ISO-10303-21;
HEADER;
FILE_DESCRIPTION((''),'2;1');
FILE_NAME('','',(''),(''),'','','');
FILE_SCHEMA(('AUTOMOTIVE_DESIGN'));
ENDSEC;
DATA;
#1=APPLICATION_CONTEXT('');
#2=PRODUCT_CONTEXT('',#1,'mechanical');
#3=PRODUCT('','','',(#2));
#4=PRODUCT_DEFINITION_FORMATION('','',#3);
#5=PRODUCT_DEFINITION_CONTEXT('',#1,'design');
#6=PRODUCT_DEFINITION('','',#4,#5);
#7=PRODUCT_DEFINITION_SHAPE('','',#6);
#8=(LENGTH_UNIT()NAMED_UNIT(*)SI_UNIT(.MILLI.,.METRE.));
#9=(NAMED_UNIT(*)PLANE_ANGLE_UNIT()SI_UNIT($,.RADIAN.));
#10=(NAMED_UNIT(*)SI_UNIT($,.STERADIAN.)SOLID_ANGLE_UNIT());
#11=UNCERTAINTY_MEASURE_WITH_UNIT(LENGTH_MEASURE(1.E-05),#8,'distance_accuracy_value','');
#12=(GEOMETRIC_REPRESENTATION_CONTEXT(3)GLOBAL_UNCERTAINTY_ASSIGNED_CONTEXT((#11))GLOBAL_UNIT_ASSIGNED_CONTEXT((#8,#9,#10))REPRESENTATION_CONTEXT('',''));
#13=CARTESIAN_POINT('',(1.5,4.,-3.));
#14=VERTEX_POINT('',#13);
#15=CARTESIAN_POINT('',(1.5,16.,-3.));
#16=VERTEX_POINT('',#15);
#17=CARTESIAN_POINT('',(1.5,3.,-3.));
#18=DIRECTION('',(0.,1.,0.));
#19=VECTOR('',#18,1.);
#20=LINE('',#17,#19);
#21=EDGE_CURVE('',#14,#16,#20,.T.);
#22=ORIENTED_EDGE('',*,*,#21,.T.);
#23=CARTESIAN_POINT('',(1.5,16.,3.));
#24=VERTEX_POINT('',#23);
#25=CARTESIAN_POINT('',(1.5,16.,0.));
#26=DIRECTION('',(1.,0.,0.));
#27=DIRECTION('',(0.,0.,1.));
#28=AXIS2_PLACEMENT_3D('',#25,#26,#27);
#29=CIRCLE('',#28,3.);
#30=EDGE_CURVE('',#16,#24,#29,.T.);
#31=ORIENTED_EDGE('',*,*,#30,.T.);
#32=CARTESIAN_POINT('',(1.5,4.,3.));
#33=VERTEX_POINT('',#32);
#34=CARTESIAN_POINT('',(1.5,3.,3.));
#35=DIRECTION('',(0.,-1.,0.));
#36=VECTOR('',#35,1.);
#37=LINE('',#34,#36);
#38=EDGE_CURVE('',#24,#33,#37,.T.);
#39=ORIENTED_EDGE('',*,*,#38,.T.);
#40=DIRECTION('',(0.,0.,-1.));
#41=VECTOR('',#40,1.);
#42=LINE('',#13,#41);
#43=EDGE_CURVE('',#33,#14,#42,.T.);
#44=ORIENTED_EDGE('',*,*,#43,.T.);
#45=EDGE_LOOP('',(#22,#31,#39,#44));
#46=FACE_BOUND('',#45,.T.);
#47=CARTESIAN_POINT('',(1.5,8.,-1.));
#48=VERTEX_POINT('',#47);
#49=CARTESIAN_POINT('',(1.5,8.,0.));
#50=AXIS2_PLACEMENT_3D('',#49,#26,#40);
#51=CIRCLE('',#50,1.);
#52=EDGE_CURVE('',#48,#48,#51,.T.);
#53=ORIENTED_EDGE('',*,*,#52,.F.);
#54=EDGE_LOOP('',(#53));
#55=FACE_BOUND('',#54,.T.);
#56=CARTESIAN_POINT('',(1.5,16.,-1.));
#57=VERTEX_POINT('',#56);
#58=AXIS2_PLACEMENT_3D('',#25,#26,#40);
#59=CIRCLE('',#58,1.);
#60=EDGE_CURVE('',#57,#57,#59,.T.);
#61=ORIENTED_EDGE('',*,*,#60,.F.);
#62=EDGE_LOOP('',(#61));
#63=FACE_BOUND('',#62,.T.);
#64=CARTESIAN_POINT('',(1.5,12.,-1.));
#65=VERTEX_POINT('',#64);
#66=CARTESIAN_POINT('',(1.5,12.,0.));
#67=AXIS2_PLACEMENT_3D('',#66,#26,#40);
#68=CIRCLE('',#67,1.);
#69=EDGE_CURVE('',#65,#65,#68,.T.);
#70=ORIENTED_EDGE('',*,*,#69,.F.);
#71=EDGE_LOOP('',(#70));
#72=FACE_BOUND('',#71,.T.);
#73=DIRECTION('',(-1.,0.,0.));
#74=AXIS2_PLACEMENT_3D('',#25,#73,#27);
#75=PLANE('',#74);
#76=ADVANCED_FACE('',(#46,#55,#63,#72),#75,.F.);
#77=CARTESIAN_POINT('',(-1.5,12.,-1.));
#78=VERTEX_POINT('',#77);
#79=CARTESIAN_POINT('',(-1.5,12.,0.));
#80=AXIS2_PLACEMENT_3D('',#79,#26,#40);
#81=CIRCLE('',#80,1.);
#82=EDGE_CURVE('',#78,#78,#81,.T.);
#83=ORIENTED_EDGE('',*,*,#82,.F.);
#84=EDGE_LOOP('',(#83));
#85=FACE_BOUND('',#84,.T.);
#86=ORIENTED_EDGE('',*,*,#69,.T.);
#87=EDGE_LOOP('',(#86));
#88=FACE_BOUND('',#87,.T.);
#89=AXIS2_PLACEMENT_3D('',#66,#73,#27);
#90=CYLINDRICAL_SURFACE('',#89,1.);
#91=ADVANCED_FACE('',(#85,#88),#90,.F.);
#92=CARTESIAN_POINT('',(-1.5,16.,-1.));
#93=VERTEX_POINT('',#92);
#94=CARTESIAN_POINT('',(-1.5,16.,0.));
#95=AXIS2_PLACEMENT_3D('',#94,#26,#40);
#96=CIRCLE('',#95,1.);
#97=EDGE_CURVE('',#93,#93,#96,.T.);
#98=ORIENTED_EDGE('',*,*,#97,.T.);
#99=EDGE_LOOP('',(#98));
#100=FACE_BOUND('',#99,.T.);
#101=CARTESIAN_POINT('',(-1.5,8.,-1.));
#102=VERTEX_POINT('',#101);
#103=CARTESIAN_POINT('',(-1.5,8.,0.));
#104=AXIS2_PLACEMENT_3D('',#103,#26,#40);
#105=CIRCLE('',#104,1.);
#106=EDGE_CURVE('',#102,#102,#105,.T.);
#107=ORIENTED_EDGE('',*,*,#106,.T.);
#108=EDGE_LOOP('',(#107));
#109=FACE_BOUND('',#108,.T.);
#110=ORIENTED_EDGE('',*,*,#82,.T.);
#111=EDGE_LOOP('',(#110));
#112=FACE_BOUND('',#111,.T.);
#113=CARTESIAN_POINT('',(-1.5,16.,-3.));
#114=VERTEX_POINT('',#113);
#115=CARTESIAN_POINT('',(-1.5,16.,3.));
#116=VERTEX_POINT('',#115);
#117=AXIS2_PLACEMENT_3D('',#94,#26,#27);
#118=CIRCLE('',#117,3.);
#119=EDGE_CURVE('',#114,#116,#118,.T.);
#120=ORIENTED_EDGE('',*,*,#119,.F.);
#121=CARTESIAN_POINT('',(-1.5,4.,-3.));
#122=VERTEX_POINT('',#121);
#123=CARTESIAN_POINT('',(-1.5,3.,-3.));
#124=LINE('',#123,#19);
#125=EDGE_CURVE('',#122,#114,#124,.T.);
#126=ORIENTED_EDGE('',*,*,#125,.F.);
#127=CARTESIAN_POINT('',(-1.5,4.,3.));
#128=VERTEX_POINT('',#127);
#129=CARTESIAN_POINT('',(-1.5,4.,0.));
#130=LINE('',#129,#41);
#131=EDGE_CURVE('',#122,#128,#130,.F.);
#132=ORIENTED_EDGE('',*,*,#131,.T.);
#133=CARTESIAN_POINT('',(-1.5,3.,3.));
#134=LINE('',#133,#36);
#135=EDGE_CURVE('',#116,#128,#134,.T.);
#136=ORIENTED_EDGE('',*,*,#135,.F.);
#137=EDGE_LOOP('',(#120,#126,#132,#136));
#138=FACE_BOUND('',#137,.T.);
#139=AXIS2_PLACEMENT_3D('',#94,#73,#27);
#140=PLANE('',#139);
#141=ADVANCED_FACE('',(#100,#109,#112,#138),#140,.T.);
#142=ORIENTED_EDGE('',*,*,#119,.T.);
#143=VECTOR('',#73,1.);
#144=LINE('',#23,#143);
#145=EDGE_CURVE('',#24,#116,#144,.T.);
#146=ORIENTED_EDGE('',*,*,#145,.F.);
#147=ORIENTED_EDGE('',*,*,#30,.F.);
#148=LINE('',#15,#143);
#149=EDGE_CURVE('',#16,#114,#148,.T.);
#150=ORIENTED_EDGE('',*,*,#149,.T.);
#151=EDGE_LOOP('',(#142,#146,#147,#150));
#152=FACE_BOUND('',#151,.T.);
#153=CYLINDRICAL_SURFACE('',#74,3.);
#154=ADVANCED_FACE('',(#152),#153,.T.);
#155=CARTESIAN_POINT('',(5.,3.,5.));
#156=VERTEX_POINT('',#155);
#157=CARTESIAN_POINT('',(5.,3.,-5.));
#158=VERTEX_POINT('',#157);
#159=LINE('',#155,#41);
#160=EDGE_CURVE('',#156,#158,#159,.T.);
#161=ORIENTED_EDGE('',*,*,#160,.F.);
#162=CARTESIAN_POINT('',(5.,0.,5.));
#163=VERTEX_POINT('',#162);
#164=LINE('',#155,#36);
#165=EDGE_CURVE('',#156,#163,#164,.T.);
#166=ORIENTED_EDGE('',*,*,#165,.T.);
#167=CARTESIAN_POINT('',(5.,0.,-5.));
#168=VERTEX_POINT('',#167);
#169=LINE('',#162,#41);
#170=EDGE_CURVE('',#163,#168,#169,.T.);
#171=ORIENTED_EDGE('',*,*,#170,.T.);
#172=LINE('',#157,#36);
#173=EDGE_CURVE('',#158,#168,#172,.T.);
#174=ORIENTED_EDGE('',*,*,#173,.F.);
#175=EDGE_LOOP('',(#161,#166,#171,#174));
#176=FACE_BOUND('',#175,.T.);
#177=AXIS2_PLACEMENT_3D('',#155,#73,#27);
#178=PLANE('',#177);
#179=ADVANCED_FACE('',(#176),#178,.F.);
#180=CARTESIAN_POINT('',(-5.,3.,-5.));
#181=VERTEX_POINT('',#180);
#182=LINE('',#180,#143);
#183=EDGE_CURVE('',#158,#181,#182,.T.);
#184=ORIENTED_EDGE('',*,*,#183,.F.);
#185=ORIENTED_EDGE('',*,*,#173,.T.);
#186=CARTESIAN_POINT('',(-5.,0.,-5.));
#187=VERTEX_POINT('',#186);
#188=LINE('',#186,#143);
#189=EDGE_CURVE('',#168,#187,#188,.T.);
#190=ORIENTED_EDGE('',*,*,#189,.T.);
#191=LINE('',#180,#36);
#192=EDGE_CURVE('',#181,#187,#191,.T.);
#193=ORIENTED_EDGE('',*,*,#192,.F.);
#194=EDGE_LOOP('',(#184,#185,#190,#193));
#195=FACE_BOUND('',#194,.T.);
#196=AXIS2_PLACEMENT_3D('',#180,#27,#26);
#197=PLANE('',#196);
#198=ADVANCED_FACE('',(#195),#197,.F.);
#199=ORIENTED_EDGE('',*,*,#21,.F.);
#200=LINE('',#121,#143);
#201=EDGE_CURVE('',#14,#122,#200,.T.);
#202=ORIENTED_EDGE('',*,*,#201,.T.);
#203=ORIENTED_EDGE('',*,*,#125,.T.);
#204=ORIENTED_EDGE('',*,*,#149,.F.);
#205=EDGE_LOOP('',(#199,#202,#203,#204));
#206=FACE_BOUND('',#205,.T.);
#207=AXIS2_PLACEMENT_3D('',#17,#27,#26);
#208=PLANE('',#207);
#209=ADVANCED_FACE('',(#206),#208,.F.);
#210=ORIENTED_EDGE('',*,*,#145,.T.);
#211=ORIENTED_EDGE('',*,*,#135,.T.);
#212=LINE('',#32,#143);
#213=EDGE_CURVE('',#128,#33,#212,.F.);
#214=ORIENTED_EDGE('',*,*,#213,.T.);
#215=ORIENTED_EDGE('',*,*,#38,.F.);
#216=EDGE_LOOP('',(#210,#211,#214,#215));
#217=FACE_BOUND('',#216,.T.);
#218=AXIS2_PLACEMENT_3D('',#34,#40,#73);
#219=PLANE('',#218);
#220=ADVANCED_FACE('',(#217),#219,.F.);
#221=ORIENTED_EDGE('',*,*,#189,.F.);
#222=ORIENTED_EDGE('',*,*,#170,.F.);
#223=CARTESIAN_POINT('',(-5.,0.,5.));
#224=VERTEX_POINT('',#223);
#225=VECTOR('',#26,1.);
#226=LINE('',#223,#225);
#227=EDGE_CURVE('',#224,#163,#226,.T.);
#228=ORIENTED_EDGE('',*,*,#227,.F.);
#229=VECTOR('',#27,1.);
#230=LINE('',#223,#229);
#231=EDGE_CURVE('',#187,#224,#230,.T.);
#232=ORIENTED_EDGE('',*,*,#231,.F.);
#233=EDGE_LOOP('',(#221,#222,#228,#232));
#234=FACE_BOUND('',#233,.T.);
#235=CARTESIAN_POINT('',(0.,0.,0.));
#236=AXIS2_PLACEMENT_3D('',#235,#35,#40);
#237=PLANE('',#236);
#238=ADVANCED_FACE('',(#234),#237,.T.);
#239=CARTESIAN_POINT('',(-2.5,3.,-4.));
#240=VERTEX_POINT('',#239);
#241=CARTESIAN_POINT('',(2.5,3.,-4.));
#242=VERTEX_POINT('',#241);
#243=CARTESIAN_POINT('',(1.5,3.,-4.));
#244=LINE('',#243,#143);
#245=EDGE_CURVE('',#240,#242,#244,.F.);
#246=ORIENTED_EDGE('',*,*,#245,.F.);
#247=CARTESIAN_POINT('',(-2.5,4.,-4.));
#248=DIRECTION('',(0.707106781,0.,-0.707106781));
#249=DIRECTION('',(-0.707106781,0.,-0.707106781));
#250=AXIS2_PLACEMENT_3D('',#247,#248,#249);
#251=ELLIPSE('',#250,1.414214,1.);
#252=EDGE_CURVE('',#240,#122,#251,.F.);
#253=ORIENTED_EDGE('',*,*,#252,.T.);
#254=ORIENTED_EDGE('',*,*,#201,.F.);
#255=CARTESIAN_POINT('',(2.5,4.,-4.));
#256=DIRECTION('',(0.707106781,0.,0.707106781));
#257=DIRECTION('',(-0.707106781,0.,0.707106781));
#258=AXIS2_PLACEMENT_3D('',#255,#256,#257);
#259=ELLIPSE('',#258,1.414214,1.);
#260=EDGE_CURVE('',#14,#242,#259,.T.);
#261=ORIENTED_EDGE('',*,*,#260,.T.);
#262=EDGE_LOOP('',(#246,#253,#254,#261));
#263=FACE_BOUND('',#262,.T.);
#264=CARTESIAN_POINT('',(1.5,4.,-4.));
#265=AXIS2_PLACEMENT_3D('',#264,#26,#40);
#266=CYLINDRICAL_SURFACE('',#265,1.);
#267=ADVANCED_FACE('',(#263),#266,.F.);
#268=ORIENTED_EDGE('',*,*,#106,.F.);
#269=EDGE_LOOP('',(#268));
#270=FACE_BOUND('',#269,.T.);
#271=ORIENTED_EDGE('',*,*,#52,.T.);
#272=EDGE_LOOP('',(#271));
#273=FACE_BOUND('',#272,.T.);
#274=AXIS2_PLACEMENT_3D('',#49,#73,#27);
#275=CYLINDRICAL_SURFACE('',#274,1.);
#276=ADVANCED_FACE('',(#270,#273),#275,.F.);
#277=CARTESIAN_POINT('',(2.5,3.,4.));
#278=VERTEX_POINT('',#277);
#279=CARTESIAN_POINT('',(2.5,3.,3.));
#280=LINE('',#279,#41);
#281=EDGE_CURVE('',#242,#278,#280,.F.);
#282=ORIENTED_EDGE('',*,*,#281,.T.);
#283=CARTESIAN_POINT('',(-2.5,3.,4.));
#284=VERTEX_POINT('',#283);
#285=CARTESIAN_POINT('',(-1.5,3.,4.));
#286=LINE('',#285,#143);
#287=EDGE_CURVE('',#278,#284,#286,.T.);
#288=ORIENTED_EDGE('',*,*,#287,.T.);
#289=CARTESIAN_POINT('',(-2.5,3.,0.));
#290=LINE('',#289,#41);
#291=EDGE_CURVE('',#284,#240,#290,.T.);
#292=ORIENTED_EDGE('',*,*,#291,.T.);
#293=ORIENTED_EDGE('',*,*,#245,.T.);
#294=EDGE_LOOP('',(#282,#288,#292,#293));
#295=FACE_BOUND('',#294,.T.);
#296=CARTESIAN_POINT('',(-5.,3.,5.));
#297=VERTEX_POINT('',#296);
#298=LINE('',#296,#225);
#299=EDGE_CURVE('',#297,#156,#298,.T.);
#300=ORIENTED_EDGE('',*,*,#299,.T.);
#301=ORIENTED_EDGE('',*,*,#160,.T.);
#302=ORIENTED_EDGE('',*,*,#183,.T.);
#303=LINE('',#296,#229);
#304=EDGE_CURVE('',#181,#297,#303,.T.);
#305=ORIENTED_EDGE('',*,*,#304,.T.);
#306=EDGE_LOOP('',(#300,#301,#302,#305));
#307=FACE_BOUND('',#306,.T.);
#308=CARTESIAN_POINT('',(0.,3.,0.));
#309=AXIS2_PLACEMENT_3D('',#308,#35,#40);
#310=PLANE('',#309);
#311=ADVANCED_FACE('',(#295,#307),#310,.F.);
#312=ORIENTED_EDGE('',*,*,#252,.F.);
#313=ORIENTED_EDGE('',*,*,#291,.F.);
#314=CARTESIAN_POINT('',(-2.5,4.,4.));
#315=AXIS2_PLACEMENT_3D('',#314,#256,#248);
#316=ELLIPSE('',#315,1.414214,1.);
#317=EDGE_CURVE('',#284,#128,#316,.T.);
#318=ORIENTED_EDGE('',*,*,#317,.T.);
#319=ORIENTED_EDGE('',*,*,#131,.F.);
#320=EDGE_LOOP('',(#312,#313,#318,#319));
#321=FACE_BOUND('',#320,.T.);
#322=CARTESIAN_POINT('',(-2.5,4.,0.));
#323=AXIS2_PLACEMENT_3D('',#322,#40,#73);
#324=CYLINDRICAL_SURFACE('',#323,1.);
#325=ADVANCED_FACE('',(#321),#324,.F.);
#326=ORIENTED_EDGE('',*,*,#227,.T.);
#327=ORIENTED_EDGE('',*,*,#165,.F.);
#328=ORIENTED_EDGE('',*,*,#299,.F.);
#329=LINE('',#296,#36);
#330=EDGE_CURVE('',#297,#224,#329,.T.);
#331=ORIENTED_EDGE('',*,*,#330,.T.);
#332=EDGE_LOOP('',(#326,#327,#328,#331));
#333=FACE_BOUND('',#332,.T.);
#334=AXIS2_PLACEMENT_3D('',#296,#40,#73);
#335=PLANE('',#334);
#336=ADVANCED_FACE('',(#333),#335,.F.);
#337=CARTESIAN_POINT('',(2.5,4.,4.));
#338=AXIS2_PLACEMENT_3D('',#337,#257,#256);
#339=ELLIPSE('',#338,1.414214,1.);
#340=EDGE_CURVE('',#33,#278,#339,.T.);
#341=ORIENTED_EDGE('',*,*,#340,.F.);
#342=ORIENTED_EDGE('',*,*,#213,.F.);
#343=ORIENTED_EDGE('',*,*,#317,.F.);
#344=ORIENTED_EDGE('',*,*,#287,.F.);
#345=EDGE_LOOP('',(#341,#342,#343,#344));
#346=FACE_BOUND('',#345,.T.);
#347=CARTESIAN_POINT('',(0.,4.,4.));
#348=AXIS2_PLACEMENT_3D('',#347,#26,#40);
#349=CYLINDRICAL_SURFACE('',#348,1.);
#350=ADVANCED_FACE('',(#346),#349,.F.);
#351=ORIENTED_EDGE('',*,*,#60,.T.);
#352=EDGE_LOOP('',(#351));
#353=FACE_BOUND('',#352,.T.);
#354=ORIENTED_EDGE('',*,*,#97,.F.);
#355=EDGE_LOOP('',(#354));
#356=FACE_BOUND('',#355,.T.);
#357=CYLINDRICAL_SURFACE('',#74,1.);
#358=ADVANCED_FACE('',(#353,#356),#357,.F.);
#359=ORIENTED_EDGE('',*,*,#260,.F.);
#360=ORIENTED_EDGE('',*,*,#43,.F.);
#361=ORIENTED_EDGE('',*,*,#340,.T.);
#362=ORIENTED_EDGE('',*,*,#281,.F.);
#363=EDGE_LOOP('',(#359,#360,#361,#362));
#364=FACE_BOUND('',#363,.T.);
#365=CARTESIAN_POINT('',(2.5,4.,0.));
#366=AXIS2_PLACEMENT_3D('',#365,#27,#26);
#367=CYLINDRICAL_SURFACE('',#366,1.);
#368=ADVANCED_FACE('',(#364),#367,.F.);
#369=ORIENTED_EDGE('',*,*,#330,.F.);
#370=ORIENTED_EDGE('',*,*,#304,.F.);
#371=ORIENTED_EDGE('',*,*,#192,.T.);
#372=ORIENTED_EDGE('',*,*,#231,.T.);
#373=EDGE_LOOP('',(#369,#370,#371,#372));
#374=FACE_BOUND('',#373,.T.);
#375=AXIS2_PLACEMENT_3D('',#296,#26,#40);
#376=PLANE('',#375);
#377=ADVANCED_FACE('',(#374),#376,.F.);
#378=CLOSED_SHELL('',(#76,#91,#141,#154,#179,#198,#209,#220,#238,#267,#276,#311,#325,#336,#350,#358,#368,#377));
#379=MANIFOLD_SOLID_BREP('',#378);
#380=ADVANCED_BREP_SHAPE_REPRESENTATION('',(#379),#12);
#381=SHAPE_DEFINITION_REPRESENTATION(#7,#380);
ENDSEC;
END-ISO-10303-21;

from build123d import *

# Parameters (mm, degrees)
SKETCH1_W           = 10
SKETCH1_H           = 10
BOSS_EXTRUDE1_DEPTH = 3
SKETCH2_R           = 1
BOSS_EXTRUDE2_DEPTH = 1.5
FILLET1_R           = 1


with BuildPart() as part:
    # Sketch1 → Boss-Extrude1 (new body)
    with BuildSketch(Plane(origin=(0, 0, 0), x_dir=(1, 0, 0), z_dir=(0, 1, 0))):
        Rectangle(SKETCH1_W, SKETCH1_H)
    extrude(amount=BOSS_EXTRUDE1_DEPTH)

    # Sketch2 → Boss-Extrude2 (add, symmetric)
    with BuildSketch(Plane(origin=(0, 0, 0), x_dir=(0, 0, -1), z_dir=(1, 0, 0))):
        with BuildLine():
            Line((-3, 3), (-3, 16))
            ThreePointArc((-3, 16), (0, 19), (3, 16))
            Line((3, 16), (3, 3))
            Line((3, 3), (-3, 3))
        make_face()
        with Locations((0, 16)):
            Circle(SKETCH2_R, mode=Mode.SUBTRACT)
        with Locations((0, 12)):
            Circle(SKETCH2_R, mode=Mode.SUBTRACT)
        with Locations((0, 8)):
            Circle(SKETCH2_R, mode=Mode.SUBTRACT)
    extrude(amount=BOSS_EXTRUDE2_DEPTH, both=True)

    # Fillet1
    fillet1_edges = [part.edges().sort_by_distance(p)[0] for p in [
        (1.5, 3, 0),
        (-1.5, 3, 0),
        (0, 3, 3),
        (0, 3, -3),
    ]]
    fillet(fillet1_edges, radius=FILLET1_R)


solid = part.part
